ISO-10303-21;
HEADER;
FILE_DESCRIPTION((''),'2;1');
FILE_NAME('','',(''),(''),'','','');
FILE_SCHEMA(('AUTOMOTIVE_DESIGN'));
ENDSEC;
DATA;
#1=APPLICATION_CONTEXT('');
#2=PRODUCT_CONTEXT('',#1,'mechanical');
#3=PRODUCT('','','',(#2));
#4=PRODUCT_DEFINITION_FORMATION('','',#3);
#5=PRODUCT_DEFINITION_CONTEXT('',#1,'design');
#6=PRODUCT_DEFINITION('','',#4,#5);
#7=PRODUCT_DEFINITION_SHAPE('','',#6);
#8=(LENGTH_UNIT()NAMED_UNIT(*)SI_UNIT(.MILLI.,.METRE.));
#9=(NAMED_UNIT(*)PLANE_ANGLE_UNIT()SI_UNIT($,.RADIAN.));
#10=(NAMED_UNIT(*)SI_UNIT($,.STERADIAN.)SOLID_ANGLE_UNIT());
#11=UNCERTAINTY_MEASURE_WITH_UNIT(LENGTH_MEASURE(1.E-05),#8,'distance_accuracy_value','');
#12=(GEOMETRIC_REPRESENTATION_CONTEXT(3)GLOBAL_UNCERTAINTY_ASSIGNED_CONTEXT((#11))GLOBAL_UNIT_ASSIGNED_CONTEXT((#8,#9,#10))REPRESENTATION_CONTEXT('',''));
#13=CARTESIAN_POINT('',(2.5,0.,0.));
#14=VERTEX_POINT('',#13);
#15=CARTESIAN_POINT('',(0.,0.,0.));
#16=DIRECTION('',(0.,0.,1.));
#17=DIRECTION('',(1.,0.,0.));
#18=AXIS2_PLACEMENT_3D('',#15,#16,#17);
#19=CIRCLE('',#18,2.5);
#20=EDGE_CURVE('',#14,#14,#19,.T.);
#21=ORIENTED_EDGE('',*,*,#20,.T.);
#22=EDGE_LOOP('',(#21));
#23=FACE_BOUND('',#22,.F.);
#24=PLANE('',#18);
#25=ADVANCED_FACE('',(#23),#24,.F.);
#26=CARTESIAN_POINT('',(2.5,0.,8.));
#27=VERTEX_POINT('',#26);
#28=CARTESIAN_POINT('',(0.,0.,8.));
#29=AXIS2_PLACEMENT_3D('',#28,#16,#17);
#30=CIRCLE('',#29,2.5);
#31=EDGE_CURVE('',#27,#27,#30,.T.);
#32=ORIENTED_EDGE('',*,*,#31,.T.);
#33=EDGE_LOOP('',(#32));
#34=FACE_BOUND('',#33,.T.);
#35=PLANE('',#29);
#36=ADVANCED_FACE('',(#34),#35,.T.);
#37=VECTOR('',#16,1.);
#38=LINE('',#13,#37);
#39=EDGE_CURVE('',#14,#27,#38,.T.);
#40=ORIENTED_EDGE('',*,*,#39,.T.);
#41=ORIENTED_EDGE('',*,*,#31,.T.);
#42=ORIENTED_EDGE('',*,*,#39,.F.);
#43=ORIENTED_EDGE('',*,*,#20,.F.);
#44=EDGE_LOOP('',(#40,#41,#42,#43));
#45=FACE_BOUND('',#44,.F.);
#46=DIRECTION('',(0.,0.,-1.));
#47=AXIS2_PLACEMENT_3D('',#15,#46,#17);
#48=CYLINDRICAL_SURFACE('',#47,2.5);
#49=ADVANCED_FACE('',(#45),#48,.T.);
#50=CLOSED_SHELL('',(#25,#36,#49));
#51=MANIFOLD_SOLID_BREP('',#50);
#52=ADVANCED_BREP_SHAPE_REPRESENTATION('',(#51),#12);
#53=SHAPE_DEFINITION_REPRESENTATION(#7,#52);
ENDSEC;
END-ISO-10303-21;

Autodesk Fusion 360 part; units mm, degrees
sketch "Esquisse1" plane through (0, 0, 0) normal (0, 0, 1) x (1, 0, 0)
  circle A0 centre (0, 0) radius 2.5
  dimension "d1" = 5
extrude "Extrusion1" add sketch "Esquisse1" along normal blind 8
